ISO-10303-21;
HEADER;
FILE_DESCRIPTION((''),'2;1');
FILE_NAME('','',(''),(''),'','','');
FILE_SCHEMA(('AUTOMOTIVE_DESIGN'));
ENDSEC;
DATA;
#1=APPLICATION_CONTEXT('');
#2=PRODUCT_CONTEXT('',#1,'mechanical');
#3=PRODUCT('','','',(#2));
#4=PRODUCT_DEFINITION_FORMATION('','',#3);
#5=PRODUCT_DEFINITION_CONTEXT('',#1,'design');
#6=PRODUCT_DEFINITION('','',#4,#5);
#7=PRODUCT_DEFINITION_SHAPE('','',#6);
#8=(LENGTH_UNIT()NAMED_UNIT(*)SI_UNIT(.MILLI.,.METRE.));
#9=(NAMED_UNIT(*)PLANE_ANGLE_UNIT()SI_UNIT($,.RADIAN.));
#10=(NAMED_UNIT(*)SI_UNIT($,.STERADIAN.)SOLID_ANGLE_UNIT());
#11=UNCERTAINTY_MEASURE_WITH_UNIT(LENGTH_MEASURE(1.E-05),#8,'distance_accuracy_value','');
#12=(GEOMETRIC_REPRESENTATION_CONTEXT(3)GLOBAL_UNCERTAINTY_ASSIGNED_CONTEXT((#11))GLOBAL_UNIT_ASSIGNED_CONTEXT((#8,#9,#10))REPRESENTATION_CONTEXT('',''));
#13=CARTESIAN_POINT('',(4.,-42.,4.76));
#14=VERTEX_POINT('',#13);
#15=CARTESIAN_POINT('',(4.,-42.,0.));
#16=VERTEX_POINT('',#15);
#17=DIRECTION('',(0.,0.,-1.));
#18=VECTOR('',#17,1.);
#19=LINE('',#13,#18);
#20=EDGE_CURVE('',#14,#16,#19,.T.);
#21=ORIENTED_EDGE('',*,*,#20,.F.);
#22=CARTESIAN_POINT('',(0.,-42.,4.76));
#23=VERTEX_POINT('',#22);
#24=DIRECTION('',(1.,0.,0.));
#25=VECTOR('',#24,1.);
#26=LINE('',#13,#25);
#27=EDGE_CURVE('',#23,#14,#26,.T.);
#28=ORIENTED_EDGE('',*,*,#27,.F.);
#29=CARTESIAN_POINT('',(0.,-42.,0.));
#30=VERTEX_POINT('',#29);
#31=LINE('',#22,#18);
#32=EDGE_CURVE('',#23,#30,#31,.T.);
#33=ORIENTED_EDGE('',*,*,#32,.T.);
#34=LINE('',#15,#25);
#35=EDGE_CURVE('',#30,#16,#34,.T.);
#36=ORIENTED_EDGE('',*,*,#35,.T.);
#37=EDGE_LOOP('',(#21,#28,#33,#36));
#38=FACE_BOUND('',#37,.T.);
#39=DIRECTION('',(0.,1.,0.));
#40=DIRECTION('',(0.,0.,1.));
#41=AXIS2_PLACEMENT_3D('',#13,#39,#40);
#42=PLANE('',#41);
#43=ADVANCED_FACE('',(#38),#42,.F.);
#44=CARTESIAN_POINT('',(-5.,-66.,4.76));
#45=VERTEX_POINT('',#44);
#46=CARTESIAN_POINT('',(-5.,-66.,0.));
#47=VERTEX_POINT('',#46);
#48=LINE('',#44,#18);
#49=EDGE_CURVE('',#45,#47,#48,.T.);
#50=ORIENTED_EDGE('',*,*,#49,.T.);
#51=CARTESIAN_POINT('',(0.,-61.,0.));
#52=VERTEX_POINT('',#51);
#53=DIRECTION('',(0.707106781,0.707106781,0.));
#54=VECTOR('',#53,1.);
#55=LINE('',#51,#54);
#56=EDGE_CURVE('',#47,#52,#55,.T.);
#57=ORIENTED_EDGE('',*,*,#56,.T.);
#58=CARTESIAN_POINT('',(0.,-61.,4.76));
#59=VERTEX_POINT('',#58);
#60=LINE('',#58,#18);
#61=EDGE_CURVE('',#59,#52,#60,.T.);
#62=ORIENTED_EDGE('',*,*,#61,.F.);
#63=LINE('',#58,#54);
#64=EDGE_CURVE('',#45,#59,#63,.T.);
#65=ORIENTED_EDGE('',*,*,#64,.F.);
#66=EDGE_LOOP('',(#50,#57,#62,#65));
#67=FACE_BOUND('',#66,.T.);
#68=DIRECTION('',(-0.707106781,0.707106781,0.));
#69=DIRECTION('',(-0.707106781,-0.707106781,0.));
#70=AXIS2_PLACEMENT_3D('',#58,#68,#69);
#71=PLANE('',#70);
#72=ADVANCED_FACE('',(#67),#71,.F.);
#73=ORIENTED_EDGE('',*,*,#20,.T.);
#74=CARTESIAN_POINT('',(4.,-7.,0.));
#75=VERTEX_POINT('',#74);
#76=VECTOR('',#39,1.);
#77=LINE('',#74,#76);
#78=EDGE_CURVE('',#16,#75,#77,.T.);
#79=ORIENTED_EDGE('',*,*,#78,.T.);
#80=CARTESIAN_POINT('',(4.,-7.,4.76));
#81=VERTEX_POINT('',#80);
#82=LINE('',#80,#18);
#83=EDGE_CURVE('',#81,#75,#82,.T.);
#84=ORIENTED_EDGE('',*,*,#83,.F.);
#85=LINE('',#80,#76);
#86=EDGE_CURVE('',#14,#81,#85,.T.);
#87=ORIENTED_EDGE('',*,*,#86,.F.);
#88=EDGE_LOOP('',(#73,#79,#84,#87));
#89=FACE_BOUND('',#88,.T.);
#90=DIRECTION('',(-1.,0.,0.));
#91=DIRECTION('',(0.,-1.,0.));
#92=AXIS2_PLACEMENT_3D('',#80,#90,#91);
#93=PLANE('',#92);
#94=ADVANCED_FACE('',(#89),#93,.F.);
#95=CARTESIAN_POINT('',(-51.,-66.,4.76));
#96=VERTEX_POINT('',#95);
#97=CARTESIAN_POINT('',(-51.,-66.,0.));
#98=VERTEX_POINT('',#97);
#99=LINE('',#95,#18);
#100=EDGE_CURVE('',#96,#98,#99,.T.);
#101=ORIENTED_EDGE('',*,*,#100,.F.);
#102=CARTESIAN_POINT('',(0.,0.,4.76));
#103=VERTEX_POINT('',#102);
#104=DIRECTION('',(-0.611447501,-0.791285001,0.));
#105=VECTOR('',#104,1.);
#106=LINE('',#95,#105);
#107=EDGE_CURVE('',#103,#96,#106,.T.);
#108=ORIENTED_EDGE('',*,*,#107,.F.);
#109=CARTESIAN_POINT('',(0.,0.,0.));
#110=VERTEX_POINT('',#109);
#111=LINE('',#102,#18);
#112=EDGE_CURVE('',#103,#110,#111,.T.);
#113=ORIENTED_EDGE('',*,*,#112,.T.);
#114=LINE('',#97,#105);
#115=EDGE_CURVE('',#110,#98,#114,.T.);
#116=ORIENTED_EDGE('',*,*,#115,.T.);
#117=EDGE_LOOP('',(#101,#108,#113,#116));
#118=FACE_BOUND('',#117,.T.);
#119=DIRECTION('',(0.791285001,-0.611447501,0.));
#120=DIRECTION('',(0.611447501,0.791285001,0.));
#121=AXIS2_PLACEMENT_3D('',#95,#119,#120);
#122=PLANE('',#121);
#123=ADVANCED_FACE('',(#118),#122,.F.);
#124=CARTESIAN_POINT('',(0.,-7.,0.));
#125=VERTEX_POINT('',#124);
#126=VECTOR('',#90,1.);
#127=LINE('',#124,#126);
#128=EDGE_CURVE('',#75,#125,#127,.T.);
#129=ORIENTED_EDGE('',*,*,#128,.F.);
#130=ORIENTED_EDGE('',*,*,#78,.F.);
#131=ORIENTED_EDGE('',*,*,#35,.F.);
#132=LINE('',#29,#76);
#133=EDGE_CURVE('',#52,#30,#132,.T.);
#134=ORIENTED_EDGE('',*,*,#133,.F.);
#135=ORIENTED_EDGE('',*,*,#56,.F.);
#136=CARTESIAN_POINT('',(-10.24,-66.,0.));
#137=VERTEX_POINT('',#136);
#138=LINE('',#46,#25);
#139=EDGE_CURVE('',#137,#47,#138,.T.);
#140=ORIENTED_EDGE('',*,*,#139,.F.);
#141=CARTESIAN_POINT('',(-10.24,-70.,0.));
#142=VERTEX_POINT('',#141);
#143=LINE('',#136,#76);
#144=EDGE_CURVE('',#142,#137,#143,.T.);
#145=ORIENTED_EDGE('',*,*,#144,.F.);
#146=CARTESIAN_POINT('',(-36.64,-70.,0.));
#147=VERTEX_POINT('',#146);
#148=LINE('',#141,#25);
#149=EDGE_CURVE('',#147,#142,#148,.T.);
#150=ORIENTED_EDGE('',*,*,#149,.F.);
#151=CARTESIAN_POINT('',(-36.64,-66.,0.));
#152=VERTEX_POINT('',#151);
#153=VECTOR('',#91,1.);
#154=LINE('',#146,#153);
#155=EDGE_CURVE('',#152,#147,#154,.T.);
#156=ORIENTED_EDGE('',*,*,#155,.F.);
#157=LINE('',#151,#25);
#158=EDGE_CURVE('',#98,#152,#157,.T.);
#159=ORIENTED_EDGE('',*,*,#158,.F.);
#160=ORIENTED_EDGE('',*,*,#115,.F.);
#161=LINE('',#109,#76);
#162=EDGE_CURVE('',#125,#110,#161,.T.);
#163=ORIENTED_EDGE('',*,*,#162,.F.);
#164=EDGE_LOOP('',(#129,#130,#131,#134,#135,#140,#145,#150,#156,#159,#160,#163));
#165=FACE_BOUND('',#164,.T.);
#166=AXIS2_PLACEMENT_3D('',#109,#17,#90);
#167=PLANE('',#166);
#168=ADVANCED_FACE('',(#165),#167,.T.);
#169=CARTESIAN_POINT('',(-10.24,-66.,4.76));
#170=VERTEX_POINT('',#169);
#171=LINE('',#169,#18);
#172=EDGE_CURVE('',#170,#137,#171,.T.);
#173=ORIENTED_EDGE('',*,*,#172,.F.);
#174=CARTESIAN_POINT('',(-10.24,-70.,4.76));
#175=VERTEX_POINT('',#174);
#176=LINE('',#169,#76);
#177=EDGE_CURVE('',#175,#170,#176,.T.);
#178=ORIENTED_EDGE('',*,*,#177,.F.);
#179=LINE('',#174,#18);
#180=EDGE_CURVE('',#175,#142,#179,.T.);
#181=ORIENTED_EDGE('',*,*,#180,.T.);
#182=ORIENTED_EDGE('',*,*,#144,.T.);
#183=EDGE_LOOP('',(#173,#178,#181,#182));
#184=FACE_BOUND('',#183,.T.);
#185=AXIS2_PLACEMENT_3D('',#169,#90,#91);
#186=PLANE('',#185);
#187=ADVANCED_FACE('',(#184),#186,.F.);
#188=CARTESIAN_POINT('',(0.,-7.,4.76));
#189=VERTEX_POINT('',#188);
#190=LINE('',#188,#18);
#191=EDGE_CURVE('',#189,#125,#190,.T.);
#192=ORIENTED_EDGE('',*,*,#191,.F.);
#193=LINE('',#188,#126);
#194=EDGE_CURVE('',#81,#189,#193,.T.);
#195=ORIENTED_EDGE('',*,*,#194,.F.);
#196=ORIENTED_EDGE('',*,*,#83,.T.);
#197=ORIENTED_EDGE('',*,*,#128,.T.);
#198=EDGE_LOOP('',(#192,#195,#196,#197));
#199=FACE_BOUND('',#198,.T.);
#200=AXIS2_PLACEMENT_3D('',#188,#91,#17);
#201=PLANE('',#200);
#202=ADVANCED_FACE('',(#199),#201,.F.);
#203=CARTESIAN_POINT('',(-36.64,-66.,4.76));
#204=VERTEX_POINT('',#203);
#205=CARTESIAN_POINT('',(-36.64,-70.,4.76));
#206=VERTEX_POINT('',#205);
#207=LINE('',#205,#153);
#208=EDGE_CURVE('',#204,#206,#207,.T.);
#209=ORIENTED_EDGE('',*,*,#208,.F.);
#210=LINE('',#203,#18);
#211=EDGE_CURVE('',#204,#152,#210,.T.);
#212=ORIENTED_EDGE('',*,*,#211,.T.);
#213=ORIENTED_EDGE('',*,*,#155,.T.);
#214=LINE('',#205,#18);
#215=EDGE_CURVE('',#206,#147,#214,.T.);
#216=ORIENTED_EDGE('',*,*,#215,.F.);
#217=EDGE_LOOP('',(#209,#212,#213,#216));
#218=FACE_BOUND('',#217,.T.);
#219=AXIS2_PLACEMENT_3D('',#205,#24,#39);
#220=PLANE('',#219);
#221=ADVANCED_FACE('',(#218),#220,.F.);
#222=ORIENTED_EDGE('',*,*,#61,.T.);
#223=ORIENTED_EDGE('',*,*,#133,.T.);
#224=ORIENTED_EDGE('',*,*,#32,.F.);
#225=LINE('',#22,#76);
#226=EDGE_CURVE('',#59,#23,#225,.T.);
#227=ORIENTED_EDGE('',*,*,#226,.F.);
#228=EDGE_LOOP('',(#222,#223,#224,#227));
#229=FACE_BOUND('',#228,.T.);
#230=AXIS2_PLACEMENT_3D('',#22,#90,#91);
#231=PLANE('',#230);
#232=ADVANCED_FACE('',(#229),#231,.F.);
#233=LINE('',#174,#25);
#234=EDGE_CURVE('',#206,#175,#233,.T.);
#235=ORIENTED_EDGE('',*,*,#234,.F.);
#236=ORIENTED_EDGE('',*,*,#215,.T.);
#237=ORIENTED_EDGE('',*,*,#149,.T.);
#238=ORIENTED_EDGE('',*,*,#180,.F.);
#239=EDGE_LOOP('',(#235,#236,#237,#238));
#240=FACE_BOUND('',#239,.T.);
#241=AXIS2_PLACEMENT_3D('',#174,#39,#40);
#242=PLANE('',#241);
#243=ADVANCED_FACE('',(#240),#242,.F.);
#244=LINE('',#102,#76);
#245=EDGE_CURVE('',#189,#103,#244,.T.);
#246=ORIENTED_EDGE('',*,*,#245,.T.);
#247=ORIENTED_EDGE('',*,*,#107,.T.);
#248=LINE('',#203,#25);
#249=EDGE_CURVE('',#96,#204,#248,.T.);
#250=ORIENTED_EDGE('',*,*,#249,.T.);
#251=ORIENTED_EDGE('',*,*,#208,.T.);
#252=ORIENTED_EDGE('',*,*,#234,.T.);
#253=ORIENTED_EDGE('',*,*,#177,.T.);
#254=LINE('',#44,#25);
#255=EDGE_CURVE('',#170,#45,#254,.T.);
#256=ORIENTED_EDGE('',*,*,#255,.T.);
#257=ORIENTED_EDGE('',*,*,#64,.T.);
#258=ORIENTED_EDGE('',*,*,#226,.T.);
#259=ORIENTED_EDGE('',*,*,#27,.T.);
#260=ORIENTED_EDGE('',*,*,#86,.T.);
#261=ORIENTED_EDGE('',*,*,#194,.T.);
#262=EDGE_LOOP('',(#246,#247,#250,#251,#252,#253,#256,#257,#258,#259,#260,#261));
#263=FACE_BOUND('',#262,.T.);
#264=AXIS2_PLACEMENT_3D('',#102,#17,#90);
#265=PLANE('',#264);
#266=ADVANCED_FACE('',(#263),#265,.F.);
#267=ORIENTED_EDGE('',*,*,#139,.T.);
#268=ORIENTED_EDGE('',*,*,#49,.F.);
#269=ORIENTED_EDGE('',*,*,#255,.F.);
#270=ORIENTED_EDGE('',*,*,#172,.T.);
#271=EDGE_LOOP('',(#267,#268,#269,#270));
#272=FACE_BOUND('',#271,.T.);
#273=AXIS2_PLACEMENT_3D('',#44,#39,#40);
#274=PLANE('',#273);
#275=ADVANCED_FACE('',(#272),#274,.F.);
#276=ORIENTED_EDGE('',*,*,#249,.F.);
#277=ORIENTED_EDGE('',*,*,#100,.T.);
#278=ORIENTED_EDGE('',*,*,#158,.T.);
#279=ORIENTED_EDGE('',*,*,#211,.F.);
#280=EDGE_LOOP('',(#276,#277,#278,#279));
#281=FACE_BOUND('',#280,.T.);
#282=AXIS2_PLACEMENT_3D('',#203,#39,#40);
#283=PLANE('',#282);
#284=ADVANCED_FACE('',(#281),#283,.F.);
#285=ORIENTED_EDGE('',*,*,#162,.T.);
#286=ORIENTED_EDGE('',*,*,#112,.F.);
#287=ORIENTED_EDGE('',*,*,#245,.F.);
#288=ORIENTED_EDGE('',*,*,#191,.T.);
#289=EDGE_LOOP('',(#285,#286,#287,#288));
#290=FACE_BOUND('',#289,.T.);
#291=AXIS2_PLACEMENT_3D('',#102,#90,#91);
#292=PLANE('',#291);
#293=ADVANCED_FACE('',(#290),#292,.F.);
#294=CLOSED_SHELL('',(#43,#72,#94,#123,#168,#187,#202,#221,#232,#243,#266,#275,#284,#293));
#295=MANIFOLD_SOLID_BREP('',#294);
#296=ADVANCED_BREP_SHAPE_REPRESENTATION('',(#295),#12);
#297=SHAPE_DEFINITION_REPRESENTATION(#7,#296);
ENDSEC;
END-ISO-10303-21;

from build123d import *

# Parameters (mm, degrees)
RESSALTO_EXTRUS_O1_DEPTH = 4.76


with BuildPart() as part:
    # Esboço1 → Ressalto-extrusão1 (new body)
    with BuildSketch(Plane.XY):
        Polygon((0, 0), (0, -7), (4, -7), (4, -42), (0, -42), (0, -61), (-5, -66), (-10.24, -66), (-10.24, -70), (-36.64, -70), (-36.64, -66), (-51, -66), align=None)
    extrude(amount=RESSALTO_EXTRUS_O1_DEPTH)


solid = part.part
